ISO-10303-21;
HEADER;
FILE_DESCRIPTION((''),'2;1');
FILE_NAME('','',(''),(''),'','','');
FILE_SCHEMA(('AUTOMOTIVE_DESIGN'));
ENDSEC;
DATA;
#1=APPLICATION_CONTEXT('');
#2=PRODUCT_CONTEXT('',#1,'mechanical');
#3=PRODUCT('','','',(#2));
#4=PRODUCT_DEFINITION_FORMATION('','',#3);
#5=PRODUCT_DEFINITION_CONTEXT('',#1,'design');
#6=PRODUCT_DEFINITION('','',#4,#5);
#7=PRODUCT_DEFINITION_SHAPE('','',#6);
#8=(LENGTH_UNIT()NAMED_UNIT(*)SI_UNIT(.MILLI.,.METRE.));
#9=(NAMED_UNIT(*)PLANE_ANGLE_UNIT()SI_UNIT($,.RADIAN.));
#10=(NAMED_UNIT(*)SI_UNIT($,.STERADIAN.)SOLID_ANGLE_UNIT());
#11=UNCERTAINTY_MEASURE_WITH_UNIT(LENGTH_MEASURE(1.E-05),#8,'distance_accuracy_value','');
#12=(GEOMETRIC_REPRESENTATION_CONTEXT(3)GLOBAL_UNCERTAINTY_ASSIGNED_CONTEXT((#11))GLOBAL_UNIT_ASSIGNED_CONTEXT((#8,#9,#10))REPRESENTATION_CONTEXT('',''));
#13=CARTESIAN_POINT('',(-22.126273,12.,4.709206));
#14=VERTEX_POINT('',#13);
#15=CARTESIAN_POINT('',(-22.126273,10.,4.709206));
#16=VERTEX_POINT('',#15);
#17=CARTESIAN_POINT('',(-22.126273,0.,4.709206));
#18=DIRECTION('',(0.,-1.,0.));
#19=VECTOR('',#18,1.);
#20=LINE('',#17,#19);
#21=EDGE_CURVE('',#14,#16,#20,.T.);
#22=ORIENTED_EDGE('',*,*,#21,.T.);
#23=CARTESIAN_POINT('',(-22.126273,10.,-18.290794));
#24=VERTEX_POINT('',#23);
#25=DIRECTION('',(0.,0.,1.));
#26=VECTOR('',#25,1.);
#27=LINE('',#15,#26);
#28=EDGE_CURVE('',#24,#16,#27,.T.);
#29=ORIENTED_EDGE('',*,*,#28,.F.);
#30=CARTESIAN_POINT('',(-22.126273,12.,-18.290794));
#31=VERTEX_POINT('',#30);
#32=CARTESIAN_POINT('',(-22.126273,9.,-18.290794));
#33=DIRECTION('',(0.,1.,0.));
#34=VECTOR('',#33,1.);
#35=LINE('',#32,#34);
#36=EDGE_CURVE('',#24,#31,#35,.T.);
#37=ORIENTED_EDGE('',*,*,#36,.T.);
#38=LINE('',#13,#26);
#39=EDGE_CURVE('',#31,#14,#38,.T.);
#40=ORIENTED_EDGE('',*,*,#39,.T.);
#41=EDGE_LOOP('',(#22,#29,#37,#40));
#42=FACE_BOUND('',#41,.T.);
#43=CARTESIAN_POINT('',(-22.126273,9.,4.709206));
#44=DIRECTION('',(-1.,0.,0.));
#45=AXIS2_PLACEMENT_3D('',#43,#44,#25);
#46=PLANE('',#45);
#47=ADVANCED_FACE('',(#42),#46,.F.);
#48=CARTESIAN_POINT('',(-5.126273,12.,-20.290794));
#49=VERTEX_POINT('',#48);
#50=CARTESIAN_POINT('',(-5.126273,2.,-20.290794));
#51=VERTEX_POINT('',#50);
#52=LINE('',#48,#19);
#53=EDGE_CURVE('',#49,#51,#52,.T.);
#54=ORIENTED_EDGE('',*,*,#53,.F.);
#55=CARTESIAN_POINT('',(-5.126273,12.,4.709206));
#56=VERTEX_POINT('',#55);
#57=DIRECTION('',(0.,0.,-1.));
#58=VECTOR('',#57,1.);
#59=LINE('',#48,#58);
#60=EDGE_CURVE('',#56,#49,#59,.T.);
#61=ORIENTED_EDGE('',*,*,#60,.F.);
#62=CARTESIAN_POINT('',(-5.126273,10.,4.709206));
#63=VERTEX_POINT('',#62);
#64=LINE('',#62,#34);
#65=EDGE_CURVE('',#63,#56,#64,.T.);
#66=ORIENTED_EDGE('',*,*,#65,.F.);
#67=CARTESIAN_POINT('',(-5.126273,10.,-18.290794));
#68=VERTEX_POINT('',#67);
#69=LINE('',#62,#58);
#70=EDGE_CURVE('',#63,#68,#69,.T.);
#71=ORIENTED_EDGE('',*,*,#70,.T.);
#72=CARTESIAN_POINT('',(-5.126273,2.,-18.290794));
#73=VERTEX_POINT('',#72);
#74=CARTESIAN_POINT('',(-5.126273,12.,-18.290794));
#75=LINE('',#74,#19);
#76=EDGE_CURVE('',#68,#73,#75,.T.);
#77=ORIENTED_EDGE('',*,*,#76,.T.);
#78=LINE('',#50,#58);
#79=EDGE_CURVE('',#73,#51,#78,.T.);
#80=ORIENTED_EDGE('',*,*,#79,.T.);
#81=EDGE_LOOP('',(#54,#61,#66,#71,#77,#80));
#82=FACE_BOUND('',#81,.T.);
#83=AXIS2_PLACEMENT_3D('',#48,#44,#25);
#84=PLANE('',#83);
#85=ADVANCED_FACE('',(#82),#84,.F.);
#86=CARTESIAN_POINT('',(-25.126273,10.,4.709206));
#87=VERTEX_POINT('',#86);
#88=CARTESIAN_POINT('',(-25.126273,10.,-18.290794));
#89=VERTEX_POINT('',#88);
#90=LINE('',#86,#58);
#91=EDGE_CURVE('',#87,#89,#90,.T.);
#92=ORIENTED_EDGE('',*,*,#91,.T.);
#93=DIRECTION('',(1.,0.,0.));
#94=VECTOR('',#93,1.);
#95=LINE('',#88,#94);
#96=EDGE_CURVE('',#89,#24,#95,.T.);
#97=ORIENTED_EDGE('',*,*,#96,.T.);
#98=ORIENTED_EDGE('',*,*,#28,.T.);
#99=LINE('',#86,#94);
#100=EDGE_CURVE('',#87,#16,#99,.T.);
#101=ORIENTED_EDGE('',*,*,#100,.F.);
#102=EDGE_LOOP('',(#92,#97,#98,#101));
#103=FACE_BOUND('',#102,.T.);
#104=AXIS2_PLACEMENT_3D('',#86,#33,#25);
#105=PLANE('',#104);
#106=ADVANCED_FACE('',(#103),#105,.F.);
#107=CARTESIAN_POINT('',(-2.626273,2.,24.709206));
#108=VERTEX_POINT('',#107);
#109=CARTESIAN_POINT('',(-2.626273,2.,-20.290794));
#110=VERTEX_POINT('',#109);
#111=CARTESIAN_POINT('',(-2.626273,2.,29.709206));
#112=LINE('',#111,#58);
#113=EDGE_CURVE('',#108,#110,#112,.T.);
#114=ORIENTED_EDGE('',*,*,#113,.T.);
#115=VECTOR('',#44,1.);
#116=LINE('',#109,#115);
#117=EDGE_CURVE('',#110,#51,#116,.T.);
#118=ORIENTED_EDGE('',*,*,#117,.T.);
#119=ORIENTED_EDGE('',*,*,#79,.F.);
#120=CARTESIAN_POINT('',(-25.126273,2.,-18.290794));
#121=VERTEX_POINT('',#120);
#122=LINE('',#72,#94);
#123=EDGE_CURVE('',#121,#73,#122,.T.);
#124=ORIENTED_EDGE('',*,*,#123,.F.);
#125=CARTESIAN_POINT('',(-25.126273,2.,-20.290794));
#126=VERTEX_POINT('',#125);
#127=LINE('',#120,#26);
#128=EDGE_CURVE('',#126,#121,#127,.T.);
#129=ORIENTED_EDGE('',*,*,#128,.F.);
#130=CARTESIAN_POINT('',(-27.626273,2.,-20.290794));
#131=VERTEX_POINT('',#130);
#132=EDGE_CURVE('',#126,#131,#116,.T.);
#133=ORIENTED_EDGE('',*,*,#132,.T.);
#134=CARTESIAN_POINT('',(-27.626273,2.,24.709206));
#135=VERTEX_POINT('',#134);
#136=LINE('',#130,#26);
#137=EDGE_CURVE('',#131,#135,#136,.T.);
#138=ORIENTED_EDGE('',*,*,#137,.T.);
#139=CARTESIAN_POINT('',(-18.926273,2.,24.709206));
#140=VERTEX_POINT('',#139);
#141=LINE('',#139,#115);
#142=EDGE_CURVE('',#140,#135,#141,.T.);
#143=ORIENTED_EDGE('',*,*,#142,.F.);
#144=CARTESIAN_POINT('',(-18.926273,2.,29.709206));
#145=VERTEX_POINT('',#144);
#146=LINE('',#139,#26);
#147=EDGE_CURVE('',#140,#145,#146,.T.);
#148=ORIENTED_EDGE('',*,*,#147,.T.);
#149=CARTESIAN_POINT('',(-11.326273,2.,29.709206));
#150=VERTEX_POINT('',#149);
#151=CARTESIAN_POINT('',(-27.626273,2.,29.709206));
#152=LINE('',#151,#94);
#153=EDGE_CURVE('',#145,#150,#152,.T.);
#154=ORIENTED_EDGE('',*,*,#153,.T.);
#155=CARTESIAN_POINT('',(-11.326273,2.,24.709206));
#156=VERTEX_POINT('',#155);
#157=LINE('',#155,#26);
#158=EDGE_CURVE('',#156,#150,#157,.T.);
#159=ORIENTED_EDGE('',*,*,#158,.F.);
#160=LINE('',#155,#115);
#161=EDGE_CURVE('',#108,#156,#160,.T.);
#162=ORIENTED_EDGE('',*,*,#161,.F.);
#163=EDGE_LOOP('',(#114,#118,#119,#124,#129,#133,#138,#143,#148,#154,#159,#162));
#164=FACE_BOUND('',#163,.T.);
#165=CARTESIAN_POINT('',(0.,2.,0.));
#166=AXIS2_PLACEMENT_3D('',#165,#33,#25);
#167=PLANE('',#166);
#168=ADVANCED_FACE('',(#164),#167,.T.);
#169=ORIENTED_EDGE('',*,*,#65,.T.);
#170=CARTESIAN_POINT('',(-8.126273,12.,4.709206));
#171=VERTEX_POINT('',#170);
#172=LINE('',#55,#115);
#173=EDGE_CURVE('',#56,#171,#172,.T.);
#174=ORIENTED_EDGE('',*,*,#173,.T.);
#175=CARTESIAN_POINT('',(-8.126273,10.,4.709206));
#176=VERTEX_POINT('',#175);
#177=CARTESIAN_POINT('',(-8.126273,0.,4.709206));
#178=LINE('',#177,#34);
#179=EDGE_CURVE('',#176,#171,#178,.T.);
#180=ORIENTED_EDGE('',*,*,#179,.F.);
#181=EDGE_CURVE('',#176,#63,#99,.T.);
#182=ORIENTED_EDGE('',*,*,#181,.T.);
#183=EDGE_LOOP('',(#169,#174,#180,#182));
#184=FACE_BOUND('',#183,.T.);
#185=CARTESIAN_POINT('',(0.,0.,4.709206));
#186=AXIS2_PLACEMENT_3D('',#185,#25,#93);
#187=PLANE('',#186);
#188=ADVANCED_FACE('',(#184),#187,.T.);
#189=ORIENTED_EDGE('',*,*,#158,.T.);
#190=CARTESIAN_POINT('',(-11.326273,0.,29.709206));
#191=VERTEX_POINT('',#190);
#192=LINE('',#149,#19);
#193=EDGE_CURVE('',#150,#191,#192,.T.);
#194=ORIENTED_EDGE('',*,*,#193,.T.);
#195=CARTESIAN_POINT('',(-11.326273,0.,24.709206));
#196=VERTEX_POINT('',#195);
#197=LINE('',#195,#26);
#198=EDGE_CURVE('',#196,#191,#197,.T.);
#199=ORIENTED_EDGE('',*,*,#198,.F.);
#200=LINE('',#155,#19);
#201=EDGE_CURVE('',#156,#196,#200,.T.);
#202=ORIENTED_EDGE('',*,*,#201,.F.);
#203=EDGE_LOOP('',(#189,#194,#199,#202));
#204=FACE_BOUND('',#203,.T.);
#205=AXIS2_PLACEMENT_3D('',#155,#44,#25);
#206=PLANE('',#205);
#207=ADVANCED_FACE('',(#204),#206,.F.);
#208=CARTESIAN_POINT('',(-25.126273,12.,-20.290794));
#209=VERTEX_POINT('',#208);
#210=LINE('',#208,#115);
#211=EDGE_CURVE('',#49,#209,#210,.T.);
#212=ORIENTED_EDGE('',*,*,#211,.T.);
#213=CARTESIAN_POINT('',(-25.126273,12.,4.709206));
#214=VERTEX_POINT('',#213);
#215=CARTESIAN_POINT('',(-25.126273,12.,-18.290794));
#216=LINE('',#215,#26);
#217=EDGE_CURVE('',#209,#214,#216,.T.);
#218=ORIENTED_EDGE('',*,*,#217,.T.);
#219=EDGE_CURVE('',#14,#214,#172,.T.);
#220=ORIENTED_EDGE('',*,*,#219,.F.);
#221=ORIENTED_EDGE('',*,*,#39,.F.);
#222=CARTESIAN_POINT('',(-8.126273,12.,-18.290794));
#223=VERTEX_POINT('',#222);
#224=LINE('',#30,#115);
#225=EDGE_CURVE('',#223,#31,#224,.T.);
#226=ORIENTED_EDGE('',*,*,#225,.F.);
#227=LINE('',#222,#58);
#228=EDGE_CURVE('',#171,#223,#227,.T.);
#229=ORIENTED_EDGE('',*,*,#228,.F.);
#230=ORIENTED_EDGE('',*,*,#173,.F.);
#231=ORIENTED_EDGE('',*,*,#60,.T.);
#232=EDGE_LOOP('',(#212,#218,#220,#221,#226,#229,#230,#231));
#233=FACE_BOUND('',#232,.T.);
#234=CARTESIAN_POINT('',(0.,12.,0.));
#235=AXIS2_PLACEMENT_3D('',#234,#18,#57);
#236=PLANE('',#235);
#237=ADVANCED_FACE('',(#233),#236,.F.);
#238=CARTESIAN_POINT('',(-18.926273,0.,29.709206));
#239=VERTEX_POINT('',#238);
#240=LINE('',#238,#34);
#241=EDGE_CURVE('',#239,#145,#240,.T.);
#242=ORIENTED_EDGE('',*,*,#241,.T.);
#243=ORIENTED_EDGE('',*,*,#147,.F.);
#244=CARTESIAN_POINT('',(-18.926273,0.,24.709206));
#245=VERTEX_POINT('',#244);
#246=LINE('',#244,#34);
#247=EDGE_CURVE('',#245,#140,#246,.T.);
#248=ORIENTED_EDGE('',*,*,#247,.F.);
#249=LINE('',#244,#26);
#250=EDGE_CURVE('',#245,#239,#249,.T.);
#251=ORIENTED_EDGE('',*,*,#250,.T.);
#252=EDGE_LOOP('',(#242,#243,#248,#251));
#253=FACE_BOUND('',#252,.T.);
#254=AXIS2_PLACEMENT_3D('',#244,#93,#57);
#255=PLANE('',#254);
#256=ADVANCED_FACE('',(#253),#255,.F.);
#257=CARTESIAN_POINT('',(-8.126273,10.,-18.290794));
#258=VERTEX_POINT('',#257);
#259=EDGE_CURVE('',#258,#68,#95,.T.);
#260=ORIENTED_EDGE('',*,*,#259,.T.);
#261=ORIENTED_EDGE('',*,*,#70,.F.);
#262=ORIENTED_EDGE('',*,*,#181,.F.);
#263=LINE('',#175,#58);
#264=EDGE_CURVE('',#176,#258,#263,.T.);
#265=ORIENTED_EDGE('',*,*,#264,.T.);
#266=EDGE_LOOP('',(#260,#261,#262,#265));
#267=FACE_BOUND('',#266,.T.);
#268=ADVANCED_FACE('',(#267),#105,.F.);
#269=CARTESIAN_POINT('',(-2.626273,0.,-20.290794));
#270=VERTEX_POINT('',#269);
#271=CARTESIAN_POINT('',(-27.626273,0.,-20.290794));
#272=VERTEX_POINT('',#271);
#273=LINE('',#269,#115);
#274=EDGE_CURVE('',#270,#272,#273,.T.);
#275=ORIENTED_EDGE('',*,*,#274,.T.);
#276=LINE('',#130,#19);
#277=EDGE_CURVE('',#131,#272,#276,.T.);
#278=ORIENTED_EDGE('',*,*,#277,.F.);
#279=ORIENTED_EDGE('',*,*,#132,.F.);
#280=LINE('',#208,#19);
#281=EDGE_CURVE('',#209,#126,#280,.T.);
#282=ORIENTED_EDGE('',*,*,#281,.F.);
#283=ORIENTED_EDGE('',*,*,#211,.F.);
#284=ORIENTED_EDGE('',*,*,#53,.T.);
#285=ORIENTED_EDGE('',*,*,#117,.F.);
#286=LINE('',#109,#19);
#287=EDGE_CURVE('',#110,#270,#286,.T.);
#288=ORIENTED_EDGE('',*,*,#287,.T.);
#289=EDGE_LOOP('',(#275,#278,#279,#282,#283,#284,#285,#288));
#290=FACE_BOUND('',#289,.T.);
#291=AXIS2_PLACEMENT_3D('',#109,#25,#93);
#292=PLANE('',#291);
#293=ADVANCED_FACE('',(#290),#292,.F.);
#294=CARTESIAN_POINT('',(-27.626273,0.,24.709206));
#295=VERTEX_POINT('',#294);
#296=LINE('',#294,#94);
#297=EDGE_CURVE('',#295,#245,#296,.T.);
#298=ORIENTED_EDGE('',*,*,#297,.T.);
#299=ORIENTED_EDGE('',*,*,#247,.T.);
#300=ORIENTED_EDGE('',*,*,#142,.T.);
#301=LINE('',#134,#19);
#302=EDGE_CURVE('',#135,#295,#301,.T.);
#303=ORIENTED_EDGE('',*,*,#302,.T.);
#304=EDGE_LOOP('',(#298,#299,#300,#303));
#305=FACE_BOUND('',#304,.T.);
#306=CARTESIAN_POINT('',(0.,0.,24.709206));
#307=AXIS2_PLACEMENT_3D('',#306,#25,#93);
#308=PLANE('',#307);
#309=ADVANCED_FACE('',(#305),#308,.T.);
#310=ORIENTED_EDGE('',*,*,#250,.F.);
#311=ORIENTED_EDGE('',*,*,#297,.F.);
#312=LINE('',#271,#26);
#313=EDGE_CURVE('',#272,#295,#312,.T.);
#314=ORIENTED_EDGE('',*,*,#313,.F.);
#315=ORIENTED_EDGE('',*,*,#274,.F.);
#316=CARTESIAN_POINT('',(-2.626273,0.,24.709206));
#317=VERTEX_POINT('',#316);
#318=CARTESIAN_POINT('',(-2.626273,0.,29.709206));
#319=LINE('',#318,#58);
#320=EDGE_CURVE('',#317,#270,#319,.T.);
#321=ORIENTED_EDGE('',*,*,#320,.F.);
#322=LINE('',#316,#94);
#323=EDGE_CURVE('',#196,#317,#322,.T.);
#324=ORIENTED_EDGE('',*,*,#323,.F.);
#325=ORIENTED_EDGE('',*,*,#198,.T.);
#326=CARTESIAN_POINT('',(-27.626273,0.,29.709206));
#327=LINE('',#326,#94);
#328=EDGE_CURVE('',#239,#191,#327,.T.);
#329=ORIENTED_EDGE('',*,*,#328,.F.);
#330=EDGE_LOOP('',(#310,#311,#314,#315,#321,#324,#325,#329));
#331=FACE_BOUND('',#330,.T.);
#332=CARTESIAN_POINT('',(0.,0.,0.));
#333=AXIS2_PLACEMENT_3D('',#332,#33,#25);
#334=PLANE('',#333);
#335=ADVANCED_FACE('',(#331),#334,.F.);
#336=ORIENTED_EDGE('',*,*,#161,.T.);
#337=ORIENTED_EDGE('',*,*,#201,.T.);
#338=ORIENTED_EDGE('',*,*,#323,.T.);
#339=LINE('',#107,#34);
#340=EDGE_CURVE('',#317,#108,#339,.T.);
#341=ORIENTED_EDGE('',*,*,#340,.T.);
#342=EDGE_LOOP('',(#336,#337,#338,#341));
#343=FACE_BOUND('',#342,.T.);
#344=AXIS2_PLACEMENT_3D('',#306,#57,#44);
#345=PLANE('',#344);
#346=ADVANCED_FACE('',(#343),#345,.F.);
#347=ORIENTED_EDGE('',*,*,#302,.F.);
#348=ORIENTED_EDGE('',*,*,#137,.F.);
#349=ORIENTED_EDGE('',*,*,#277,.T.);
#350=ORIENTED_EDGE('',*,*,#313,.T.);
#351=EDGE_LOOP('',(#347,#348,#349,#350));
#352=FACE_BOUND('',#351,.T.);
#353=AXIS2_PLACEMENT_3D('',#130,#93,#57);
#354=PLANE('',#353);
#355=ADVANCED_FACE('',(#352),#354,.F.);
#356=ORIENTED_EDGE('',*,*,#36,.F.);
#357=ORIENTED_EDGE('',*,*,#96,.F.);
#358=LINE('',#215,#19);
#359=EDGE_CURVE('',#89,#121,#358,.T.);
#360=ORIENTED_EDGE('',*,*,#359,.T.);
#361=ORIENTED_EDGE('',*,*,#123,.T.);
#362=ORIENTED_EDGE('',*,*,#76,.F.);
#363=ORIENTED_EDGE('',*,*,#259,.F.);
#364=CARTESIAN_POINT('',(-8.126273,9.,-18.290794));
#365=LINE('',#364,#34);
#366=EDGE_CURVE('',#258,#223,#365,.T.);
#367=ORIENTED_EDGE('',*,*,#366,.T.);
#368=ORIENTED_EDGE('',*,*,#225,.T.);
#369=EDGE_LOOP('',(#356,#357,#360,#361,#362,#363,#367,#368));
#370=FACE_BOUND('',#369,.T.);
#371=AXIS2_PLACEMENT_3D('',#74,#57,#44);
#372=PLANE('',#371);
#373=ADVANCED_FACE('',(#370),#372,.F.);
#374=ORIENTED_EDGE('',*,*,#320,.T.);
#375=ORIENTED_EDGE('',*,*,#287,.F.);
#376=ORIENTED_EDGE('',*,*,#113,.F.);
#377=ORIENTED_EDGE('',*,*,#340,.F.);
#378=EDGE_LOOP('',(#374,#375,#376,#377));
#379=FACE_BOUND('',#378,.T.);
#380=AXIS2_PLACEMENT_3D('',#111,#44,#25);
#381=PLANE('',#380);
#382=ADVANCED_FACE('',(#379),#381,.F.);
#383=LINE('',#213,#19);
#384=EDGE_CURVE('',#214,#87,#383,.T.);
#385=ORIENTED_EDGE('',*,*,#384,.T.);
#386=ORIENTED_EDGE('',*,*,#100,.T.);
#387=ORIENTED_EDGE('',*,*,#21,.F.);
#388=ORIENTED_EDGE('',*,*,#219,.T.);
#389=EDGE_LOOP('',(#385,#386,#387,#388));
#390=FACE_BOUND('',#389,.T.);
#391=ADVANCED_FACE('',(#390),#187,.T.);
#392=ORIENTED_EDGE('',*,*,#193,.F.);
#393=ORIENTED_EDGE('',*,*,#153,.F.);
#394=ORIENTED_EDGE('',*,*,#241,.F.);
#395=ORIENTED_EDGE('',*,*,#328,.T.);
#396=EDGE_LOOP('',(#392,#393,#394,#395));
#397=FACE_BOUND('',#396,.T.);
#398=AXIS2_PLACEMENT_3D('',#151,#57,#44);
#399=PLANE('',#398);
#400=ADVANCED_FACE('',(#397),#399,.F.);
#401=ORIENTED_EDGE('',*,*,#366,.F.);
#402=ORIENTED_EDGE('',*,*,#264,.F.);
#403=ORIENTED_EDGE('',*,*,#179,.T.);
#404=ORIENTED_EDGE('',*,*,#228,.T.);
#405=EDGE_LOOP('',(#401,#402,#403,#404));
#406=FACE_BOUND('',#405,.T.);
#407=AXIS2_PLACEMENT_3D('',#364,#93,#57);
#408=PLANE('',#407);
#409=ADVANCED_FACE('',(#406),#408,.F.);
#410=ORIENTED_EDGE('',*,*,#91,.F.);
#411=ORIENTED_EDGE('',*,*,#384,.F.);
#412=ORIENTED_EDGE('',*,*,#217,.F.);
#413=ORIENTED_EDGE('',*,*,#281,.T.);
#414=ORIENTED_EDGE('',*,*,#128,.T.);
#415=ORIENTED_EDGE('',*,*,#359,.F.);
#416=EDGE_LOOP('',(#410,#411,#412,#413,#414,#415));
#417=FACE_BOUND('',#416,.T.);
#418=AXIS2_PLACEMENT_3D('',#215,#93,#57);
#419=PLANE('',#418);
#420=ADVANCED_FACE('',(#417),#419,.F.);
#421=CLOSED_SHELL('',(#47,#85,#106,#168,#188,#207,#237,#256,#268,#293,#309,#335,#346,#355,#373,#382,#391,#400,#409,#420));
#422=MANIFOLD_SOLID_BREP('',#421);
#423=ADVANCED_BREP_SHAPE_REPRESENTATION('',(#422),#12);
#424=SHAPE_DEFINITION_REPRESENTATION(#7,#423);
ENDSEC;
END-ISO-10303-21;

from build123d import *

# Parameters (mm, degrees)
SKETCH_1_W          = 25
SKETCH_1_H          = 50
EXTRUDE_1_DEPTH     = 2
SKETCH_3_W          = 20
SKETCH_3_H          = 2
EXTRUDE_2_DEPTH     = 10
SKETCH_4_W          = 20
SKETCH_4_H          = 2
EXTRUDE_3_DEPTH     = 23
SKETCH_5_W          = 14
SKETCH_5_H          = 23
CUT_EXTRUDE_1_DEPTH = 3
SKETCH_6_W          = 8.7
SKETCH_6_H          = 2
CUT_EXTRUDE_2_DEPTH = 5


with BuildPart() as part:
    # 草图1 → 凸台-拉伸1 (new body)
    with BuildSketch(Plane(origin=(0, 0, 0), x_dir=(1, 0, 0), z_dir=(0, 1, 0))):
        with Locations((-15.126272577, -4.709205827)):
            Rectangle(SKETCH_1_W, SKETCH_1_H)
    extrude(amount=EXTRUDE_1_DEPTH)

    # 草图3 → 凸台-拉伸2 (add)
    with BuildSketch(Plane(origin=(0, 2, 0), x_dir=(1, 0, 0), z_dir=(0, 1, 0))):
        with Locations((-15.126272577, 19.290794173)):
            Rectangle(SKETCH_3_W, SKETCH_3_H)
    extrude(amount=EXTRUDE_2_DEPTH)

    # 草图4 → 凸台-拉伸3 (add)
    with BuildSketch(Plane.XY.offset(-18.290794173)):
        with Locations((-15.126272577, 11)):
            Rectangle(SKETCH_4_W, SKETCH_4_H)
    extrude(amount=EXTRUDE_3_DEPTH)

    # 草图5 → 切除-拉伸1 (cut)
    with BuildSketch(Plane(origin=(0, 12, 0), x_dir=(1, 0, 0), z_dir=(0, 1, 0))):
        with Locations((-15.126272577, 6.790794173)):
            Rectangle(SKETCH_5_W, SKETCH_5_H)
    extrude(amount=-CUT_EXTRUDE_1_DEPTH, mode=Mode.SUBTRACT)

    # 草图6 → 切除-拉伸2 (cut)
    with BuildSketch(Plane.XY.offset(29.709205827)):
        with Locations((-6.976272577, 1)):
            Rectangle(SKETCH_6_W, SKETCH_6_H)
        with Locations((-23.276272577, 1)):
            Rectangle(SKETCH_6_W, SKETCH_6_H)
    extrude(amount=-CUT_EXTRUDE_2_DEPTH, mode=Mode.SUBTRACT)


solid = part.part
